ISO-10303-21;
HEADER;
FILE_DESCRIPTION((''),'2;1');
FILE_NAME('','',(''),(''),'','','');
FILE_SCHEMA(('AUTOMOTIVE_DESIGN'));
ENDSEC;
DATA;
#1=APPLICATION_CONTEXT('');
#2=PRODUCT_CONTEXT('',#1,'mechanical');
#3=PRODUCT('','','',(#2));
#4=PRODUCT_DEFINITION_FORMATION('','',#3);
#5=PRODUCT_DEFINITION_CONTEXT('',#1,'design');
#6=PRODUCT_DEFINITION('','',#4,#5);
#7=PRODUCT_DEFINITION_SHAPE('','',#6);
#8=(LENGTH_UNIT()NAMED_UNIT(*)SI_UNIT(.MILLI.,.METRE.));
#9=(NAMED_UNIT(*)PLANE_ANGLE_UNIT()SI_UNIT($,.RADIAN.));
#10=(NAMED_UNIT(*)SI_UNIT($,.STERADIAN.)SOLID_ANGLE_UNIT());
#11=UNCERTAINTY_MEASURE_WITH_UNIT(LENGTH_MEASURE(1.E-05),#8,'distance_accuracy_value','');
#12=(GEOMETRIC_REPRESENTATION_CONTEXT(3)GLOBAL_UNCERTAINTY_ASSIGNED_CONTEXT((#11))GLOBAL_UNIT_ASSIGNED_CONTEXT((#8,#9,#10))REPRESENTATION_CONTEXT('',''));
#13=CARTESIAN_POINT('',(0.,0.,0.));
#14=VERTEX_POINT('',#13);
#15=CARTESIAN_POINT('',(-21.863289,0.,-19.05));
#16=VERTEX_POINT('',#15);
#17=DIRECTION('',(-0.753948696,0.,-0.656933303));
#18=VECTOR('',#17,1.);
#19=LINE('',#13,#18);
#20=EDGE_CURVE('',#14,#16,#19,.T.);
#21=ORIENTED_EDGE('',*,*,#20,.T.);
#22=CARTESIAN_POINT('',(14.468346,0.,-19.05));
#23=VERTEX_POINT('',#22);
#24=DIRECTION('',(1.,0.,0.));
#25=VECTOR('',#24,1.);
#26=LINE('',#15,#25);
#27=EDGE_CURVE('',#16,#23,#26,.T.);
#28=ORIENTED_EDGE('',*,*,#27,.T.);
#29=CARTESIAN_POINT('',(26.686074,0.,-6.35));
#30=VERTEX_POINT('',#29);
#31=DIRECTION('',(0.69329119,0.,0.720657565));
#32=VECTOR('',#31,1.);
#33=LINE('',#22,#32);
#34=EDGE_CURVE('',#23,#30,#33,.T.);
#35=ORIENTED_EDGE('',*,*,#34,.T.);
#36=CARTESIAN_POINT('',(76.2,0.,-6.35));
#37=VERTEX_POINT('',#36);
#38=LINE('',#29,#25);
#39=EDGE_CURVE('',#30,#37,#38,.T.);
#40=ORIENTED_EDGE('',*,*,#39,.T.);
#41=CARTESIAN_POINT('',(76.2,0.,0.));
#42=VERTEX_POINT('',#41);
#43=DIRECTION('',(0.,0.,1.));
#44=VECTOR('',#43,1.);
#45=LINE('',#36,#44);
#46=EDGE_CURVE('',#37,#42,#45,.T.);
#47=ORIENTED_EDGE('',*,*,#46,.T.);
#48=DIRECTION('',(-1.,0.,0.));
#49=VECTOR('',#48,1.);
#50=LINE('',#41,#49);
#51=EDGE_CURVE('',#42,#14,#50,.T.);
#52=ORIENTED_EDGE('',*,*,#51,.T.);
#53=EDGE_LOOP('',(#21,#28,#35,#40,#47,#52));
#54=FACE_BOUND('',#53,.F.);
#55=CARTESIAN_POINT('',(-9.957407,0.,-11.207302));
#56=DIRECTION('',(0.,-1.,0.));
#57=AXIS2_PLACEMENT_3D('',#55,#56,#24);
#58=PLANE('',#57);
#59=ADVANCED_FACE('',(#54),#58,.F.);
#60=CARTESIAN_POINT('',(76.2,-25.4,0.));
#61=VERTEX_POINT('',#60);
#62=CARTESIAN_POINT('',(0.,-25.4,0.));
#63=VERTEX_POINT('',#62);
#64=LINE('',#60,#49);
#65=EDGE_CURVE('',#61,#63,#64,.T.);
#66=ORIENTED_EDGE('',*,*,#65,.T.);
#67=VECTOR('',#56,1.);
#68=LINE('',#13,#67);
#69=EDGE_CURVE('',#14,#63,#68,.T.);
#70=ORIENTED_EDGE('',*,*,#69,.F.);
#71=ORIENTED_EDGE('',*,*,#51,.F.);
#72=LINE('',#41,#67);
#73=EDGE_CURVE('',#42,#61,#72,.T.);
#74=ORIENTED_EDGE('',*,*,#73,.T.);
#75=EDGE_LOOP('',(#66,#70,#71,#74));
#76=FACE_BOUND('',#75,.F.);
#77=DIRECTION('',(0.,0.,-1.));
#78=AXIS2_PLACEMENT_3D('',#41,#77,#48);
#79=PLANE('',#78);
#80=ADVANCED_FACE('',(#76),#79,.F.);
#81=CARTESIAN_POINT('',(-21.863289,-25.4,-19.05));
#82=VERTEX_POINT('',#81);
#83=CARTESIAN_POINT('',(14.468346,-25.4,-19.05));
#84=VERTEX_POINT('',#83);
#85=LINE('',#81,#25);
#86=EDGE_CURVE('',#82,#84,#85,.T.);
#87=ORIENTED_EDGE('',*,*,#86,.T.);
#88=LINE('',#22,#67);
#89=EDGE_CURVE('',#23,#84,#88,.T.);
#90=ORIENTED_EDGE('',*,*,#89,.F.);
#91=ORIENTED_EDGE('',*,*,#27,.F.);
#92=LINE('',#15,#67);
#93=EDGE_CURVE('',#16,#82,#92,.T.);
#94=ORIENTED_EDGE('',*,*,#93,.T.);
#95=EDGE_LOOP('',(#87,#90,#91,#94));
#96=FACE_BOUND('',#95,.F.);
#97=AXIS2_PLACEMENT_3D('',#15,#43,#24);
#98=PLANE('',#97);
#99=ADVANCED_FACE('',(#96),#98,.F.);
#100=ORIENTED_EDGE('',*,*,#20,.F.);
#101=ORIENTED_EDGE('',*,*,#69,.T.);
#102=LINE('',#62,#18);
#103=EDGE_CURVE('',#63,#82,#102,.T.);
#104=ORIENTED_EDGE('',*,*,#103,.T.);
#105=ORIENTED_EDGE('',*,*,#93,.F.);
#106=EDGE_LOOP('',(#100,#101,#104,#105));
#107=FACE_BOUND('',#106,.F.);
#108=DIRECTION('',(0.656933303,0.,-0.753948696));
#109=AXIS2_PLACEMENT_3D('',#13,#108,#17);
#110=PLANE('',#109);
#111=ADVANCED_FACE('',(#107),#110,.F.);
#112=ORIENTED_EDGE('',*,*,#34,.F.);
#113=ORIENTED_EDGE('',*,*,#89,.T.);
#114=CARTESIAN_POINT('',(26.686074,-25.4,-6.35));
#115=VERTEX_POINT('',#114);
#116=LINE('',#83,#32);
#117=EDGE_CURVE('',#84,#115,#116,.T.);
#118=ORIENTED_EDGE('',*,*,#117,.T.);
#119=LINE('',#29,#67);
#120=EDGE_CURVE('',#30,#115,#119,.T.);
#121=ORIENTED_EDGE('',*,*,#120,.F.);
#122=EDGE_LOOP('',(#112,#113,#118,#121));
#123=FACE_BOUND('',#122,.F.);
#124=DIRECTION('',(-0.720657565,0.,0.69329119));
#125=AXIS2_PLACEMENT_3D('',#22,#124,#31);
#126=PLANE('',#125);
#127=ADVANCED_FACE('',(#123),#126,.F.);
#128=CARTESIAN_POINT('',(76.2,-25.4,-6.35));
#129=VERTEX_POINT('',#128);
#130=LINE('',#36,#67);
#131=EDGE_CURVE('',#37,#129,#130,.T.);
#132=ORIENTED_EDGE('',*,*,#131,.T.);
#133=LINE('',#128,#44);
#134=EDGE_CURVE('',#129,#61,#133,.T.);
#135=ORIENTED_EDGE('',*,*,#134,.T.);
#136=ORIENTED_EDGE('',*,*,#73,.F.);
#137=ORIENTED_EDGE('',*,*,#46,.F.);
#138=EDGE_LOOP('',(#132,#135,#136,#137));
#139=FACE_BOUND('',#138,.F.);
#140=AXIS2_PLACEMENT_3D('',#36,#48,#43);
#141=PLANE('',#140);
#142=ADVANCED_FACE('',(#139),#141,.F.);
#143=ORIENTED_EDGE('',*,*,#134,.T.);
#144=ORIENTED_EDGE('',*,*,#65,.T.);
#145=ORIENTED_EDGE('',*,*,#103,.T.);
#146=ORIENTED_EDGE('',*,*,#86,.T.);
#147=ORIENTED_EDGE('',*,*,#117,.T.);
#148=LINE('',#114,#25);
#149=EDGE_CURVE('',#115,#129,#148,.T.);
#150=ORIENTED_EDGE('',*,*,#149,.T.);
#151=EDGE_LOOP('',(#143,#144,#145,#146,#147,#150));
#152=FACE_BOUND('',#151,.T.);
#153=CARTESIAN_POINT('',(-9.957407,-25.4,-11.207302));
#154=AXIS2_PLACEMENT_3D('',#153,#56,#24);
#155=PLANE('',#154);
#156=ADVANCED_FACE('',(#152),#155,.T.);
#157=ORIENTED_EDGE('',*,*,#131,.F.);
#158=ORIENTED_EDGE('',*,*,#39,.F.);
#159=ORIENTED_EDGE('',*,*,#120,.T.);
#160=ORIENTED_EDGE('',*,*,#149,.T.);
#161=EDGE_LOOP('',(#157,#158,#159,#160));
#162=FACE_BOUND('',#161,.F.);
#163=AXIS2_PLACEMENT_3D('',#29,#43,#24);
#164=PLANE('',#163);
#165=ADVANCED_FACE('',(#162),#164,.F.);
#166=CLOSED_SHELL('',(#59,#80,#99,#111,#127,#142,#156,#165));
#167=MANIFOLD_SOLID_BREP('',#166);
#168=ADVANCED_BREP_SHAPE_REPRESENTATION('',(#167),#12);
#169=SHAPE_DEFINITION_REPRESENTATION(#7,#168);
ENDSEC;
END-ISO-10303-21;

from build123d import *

# Parameters (mm, degrees)
F1_DEPTH = 25.4


with BuildPart() as f1:
    # F0 (on Front) → F1 (new body)
    with BuildSketch(Plane.XZ):
        Polygon((-10.931645, -19.05), (0, 0), (-21.863289, -19.05), align=None)
        Polygon((76.2, 0), (0, 0), (-10.931645, -19.05), (14.468346, -19.05), (26.686074, -6.35), (76.2, -6.35), align=None)
    extrude(amount=F1_DEPTH)


solid = f1.part
